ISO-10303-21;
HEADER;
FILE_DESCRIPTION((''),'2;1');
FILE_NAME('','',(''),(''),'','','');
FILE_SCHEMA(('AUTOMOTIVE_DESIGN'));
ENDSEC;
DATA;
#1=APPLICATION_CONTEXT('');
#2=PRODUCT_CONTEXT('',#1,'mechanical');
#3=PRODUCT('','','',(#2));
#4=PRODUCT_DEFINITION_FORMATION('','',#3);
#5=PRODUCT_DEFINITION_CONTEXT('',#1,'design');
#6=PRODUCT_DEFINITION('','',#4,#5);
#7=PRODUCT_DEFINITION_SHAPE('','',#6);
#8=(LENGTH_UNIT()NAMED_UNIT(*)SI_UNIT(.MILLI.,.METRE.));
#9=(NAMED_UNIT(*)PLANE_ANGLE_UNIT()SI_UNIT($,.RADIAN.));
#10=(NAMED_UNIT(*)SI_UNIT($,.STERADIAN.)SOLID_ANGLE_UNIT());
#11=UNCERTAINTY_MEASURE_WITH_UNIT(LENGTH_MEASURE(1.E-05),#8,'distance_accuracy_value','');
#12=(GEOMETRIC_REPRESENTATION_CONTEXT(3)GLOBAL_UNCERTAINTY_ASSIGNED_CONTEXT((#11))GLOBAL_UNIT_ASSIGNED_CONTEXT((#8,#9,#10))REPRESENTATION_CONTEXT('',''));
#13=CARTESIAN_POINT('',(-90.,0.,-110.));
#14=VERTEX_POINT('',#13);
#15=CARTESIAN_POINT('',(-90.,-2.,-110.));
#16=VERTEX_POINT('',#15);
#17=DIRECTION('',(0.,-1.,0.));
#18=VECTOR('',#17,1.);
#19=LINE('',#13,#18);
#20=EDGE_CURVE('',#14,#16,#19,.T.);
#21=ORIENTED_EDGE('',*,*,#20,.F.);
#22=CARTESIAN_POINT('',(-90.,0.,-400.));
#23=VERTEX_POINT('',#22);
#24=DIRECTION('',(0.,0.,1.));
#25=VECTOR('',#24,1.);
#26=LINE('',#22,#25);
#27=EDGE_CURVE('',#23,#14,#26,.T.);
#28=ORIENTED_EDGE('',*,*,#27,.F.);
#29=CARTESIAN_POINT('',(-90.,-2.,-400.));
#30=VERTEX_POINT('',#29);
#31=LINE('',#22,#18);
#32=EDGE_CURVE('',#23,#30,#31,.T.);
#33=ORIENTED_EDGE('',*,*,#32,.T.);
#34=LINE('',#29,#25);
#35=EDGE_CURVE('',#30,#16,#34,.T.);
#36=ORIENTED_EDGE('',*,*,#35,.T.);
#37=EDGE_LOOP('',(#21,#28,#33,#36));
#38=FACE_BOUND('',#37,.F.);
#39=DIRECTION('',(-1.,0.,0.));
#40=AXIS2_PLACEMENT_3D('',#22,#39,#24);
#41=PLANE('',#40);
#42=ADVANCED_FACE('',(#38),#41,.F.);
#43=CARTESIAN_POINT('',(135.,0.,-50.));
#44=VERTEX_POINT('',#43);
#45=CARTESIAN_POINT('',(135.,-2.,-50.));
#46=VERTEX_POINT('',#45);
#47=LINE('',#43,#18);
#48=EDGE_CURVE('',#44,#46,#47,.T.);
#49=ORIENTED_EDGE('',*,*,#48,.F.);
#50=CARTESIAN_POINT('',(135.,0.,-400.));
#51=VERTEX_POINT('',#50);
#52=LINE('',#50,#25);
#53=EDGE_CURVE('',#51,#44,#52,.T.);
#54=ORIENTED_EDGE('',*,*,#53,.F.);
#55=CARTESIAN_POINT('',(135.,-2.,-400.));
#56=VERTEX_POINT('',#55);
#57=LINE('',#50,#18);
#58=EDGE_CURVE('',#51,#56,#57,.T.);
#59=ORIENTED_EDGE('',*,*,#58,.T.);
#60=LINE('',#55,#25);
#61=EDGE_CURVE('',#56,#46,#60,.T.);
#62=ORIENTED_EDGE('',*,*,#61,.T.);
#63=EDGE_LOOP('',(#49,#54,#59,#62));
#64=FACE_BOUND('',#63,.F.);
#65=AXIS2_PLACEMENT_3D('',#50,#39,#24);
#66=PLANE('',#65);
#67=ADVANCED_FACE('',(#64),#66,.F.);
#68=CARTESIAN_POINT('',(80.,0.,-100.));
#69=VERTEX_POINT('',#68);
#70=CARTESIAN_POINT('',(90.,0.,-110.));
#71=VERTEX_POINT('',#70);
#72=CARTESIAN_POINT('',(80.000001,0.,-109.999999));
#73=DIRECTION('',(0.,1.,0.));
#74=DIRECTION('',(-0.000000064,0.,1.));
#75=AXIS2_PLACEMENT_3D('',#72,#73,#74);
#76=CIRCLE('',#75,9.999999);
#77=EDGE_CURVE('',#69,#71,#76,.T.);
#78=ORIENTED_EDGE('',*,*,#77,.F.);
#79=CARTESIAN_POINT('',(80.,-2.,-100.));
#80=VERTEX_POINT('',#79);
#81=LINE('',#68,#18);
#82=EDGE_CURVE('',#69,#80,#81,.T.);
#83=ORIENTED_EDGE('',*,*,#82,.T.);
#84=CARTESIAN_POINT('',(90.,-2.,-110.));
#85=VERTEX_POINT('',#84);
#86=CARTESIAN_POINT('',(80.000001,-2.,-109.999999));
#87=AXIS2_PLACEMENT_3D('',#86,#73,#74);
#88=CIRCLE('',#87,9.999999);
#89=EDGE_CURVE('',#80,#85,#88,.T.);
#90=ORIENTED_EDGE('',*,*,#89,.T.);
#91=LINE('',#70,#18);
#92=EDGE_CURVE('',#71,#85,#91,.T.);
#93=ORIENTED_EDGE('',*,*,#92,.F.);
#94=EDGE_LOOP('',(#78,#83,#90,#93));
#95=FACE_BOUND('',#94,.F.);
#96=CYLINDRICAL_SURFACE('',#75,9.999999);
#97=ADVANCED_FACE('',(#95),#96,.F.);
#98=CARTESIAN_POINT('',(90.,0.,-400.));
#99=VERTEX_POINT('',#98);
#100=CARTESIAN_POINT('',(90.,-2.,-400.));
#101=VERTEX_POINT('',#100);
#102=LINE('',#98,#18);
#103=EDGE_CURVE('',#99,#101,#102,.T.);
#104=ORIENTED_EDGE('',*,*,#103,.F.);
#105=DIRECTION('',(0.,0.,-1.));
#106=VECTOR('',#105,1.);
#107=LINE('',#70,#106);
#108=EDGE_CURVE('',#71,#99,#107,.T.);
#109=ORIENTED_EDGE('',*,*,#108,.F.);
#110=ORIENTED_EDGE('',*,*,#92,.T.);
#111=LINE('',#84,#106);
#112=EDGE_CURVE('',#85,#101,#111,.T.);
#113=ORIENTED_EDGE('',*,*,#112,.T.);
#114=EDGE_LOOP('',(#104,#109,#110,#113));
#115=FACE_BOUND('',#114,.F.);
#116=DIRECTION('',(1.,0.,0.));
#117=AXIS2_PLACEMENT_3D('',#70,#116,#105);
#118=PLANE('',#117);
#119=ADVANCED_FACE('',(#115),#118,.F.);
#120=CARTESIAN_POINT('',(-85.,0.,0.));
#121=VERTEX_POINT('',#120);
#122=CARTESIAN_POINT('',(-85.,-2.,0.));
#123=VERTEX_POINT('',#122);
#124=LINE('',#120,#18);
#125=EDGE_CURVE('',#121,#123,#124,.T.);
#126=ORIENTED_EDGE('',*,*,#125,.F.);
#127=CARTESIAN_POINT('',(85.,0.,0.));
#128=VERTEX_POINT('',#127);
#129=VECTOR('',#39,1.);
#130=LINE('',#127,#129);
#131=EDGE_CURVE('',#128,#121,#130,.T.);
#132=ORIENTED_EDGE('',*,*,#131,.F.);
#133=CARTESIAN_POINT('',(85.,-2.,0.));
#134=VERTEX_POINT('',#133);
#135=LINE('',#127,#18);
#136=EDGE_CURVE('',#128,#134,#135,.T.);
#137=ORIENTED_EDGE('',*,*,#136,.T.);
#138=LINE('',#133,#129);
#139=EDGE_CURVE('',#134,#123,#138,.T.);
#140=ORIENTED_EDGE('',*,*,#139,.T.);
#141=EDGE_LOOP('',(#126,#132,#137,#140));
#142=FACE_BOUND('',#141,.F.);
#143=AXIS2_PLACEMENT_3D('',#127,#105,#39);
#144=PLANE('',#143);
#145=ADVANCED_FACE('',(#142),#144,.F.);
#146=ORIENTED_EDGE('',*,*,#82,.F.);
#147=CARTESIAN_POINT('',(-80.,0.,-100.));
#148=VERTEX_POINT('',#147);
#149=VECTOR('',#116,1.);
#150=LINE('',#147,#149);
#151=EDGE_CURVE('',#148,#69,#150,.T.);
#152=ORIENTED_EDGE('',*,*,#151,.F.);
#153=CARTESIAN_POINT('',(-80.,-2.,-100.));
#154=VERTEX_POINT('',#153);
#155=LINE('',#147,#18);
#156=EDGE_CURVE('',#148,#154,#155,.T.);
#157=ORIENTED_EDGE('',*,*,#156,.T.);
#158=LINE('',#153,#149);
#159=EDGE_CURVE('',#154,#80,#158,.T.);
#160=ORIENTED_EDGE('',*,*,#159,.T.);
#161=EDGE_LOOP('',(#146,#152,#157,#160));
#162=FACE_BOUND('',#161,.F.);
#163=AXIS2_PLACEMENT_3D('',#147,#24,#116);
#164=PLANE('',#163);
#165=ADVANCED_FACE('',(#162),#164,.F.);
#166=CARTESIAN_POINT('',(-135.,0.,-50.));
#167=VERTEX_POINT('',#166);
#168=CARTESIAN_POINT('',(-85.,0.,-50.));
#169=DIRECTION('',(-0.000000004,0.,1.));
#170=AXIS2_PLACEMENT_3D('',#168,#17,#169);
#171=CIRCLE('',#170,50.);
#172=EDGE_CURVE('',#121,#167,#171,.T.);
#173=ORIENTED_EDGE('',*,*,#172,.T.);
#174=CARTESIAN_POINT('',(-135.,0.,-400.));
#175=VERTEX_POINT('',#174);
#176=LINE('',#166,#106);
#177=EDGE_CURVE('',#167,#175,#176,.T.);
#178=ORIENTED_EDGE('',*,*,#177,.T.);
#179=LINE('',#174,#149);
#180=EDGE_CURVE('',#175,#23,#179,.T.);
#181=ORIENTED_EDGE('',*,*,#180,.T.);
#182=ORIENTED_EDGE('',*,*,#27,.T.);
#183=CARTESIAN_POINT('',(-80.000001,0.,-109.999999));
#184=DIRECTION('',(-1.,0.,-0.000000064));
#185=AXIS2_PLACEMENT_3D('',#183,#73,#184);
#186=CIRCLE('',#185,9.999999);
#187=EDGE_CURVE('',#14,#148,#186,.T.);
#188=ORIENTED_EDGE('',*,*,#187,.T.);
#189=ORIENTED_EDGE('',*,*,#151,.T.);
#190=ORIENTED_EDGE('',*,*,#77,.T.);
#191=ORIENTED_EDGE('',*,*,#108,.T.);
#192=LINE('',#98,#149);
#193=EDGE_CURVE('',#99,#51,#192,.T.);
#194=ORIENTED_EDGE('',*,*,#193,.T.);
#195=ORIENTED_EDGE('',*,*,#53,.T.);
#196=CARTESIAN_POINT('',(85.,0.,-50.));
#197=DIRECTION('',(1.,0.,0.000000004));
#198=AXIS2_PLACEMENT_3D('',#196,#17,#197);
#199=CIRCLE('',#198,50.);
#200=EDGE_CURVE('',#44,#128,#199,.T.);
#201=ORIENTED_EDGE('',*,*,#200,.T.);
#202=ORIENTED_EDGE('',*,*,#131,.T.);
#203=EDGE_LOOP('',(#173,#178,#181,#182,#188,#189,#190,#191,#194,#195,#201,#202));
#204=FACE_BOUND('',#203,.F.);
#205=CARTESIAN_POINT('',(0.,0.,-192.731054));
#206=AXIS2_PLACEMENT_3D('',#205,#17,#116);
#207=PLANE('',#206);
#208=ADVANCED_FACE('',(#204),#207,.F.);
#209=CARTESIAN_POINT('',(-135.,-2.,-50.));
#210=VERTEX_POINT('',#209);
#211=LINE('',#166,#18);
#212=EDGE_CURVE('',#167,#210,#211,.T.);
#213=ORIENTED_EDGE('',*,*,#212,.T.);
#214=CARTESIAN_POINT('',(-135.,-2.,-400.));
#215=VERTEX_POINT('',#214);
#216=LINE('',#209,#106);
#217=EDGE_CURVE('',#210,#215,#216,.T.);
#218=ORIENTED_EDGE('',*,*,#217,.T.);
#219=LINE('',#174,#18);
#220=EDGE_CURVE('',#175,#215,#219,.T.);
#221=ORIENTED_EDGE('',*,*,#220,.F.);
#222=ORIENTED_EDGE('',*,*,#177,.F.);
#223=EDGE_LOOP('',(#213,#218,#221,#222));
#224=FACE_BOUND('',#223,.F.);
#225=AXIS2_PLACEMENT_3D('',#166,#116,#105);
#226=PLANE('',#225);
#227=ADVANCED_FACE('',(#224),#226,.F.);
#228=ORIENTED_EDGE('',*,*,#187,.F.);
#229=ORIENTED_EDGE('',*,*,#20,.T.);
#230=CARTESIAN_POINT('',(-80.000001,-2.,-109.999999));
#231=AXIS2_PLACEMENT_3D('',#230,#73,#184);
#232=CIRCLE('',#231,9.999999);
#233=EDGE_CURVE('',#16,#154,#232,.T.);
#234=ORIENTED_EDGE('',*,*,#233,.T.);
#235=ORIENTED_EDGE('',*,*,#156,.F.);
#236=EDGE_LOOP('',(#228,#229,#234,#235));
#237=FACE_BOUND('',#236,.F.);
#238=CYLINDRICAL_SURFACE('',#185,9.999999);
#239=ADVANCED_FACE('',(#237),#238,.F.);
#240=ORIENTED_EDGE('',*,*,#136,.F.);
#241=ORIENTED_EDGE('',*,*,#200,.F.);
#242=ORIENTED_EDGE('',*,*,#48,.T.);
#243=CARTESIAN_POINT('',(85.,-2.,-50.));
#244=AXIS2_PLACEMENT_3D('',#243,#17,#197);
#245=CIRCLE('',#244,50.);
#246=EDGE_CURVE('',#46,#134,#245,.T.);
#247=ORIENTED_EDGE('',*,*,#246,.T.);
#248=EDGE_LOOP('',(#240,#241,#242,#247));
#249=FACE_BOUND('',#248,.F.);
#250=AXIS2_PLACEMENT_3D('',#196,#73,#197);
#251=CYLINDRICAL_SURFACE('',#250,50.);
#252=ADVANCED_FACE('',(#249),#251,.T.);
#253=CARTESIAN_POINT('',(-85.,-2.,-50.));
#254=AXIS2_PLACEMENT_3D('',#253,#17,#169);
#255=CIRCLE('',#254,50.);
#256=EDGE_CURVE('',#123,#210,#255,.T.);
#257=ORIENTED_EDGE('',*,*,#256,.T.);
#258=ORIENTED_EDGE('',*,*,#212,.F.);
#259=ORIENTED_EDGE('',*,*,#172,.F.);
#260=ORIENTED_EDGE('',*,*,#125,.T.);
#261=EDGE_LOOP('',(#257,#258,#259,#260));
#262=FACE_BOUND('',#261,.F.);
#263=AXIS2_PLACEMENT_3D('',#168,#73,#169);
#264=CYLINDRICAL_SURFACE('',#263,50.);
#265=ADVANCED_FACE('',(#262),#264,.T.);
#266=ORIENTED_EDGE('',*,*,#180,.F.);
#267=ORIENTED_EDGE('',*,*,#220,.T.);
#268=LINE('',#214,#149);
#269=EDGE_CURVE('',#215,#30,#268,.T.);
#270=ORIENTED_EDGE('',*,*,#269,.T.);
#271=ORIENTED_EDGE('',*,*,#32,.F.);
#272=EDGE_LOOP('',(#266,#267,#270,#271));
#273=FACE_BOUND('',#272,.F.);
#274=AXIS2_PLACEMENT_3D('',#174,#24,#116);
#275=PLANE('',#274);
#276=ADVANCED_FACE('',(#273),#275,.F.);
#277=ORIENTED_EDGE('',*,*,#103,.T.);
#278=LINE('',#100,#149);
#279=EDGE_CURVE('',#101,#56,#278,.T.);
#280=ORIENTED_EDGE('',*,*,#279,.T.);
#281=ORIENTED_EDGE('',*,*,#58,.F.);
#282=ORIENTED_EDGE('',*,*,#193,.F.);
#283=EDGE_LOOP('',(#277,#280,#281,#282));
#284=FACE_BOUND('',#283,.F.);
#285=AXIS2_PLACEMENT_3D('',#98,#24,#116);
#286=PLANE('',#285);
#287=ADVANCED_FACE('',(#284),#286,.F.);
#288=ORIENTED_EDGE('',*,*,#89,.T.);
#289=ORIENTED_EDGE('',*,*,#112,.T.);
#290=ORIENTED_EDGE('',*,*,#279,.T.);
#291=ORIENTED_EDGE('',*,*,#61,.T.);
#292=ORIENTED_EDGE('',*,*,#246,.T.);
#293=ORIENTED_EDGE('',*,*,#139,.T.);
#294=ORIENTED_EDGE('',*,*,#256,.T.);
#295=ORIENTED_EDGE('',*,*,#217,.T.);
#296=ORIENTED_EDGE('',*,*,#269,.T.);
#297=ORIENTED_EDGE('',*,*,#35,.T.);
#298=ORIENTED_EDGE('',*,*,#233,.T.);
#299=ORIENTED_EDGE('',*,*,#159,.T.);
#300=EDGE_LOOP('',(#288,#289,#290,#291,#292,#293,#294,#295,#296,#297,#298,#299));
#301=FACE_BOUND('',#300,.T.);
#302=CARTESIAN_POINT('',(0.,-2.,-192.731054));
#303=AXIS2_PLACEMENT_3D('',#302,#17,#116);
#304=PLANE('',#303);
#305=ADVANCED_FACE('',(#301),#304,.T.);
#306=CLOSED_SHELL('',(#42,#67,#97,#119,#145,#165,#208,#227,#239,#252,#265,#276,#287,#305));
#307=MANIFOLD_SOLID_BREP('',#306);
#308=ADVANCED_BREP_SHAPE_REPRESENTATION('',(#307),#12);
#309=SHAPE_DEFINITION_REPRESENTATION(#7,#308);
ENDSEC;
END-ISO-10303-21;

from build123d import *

# Parameters (mm, degrees)
F1_DEPTH = 2


with BuildPart() as f1:
    # F0 (on Front) → F1 (new body)
    with BuildSketch(Plane.XZ):
        with BuildLine():
            Line((85, 0), (0, 0))
            Line((0, 0), (-85, 0))
            ThreePointArc((-85, 0), (-120.355339, -14.644661), (-135, -50))
            Line((-135, -50), (-135, -400))
            Line((-135, -400), (-90, -400))
            Line((-90, -400), (-90, -110))
            ThreePointArc((-90, -110), (-87.071068, -102.928932), (-80, -100))
            Line((-80, -100), (0, -100))
            Line((0, -100), (80, -100))
            ThreePointArc((80, -100), (87.071068, -102.928932), (90, -110))
            Line((90, -110), (90, -400))
            Line((90, -400), (135, -400))
            Line((135, -400), (135, -50))
            ThreePointArc((135, -50), (120.355339, -14.644661), (85, 0))
        make_face()
    extrude(amount=F1_DEPTH)


solid = f1.part
